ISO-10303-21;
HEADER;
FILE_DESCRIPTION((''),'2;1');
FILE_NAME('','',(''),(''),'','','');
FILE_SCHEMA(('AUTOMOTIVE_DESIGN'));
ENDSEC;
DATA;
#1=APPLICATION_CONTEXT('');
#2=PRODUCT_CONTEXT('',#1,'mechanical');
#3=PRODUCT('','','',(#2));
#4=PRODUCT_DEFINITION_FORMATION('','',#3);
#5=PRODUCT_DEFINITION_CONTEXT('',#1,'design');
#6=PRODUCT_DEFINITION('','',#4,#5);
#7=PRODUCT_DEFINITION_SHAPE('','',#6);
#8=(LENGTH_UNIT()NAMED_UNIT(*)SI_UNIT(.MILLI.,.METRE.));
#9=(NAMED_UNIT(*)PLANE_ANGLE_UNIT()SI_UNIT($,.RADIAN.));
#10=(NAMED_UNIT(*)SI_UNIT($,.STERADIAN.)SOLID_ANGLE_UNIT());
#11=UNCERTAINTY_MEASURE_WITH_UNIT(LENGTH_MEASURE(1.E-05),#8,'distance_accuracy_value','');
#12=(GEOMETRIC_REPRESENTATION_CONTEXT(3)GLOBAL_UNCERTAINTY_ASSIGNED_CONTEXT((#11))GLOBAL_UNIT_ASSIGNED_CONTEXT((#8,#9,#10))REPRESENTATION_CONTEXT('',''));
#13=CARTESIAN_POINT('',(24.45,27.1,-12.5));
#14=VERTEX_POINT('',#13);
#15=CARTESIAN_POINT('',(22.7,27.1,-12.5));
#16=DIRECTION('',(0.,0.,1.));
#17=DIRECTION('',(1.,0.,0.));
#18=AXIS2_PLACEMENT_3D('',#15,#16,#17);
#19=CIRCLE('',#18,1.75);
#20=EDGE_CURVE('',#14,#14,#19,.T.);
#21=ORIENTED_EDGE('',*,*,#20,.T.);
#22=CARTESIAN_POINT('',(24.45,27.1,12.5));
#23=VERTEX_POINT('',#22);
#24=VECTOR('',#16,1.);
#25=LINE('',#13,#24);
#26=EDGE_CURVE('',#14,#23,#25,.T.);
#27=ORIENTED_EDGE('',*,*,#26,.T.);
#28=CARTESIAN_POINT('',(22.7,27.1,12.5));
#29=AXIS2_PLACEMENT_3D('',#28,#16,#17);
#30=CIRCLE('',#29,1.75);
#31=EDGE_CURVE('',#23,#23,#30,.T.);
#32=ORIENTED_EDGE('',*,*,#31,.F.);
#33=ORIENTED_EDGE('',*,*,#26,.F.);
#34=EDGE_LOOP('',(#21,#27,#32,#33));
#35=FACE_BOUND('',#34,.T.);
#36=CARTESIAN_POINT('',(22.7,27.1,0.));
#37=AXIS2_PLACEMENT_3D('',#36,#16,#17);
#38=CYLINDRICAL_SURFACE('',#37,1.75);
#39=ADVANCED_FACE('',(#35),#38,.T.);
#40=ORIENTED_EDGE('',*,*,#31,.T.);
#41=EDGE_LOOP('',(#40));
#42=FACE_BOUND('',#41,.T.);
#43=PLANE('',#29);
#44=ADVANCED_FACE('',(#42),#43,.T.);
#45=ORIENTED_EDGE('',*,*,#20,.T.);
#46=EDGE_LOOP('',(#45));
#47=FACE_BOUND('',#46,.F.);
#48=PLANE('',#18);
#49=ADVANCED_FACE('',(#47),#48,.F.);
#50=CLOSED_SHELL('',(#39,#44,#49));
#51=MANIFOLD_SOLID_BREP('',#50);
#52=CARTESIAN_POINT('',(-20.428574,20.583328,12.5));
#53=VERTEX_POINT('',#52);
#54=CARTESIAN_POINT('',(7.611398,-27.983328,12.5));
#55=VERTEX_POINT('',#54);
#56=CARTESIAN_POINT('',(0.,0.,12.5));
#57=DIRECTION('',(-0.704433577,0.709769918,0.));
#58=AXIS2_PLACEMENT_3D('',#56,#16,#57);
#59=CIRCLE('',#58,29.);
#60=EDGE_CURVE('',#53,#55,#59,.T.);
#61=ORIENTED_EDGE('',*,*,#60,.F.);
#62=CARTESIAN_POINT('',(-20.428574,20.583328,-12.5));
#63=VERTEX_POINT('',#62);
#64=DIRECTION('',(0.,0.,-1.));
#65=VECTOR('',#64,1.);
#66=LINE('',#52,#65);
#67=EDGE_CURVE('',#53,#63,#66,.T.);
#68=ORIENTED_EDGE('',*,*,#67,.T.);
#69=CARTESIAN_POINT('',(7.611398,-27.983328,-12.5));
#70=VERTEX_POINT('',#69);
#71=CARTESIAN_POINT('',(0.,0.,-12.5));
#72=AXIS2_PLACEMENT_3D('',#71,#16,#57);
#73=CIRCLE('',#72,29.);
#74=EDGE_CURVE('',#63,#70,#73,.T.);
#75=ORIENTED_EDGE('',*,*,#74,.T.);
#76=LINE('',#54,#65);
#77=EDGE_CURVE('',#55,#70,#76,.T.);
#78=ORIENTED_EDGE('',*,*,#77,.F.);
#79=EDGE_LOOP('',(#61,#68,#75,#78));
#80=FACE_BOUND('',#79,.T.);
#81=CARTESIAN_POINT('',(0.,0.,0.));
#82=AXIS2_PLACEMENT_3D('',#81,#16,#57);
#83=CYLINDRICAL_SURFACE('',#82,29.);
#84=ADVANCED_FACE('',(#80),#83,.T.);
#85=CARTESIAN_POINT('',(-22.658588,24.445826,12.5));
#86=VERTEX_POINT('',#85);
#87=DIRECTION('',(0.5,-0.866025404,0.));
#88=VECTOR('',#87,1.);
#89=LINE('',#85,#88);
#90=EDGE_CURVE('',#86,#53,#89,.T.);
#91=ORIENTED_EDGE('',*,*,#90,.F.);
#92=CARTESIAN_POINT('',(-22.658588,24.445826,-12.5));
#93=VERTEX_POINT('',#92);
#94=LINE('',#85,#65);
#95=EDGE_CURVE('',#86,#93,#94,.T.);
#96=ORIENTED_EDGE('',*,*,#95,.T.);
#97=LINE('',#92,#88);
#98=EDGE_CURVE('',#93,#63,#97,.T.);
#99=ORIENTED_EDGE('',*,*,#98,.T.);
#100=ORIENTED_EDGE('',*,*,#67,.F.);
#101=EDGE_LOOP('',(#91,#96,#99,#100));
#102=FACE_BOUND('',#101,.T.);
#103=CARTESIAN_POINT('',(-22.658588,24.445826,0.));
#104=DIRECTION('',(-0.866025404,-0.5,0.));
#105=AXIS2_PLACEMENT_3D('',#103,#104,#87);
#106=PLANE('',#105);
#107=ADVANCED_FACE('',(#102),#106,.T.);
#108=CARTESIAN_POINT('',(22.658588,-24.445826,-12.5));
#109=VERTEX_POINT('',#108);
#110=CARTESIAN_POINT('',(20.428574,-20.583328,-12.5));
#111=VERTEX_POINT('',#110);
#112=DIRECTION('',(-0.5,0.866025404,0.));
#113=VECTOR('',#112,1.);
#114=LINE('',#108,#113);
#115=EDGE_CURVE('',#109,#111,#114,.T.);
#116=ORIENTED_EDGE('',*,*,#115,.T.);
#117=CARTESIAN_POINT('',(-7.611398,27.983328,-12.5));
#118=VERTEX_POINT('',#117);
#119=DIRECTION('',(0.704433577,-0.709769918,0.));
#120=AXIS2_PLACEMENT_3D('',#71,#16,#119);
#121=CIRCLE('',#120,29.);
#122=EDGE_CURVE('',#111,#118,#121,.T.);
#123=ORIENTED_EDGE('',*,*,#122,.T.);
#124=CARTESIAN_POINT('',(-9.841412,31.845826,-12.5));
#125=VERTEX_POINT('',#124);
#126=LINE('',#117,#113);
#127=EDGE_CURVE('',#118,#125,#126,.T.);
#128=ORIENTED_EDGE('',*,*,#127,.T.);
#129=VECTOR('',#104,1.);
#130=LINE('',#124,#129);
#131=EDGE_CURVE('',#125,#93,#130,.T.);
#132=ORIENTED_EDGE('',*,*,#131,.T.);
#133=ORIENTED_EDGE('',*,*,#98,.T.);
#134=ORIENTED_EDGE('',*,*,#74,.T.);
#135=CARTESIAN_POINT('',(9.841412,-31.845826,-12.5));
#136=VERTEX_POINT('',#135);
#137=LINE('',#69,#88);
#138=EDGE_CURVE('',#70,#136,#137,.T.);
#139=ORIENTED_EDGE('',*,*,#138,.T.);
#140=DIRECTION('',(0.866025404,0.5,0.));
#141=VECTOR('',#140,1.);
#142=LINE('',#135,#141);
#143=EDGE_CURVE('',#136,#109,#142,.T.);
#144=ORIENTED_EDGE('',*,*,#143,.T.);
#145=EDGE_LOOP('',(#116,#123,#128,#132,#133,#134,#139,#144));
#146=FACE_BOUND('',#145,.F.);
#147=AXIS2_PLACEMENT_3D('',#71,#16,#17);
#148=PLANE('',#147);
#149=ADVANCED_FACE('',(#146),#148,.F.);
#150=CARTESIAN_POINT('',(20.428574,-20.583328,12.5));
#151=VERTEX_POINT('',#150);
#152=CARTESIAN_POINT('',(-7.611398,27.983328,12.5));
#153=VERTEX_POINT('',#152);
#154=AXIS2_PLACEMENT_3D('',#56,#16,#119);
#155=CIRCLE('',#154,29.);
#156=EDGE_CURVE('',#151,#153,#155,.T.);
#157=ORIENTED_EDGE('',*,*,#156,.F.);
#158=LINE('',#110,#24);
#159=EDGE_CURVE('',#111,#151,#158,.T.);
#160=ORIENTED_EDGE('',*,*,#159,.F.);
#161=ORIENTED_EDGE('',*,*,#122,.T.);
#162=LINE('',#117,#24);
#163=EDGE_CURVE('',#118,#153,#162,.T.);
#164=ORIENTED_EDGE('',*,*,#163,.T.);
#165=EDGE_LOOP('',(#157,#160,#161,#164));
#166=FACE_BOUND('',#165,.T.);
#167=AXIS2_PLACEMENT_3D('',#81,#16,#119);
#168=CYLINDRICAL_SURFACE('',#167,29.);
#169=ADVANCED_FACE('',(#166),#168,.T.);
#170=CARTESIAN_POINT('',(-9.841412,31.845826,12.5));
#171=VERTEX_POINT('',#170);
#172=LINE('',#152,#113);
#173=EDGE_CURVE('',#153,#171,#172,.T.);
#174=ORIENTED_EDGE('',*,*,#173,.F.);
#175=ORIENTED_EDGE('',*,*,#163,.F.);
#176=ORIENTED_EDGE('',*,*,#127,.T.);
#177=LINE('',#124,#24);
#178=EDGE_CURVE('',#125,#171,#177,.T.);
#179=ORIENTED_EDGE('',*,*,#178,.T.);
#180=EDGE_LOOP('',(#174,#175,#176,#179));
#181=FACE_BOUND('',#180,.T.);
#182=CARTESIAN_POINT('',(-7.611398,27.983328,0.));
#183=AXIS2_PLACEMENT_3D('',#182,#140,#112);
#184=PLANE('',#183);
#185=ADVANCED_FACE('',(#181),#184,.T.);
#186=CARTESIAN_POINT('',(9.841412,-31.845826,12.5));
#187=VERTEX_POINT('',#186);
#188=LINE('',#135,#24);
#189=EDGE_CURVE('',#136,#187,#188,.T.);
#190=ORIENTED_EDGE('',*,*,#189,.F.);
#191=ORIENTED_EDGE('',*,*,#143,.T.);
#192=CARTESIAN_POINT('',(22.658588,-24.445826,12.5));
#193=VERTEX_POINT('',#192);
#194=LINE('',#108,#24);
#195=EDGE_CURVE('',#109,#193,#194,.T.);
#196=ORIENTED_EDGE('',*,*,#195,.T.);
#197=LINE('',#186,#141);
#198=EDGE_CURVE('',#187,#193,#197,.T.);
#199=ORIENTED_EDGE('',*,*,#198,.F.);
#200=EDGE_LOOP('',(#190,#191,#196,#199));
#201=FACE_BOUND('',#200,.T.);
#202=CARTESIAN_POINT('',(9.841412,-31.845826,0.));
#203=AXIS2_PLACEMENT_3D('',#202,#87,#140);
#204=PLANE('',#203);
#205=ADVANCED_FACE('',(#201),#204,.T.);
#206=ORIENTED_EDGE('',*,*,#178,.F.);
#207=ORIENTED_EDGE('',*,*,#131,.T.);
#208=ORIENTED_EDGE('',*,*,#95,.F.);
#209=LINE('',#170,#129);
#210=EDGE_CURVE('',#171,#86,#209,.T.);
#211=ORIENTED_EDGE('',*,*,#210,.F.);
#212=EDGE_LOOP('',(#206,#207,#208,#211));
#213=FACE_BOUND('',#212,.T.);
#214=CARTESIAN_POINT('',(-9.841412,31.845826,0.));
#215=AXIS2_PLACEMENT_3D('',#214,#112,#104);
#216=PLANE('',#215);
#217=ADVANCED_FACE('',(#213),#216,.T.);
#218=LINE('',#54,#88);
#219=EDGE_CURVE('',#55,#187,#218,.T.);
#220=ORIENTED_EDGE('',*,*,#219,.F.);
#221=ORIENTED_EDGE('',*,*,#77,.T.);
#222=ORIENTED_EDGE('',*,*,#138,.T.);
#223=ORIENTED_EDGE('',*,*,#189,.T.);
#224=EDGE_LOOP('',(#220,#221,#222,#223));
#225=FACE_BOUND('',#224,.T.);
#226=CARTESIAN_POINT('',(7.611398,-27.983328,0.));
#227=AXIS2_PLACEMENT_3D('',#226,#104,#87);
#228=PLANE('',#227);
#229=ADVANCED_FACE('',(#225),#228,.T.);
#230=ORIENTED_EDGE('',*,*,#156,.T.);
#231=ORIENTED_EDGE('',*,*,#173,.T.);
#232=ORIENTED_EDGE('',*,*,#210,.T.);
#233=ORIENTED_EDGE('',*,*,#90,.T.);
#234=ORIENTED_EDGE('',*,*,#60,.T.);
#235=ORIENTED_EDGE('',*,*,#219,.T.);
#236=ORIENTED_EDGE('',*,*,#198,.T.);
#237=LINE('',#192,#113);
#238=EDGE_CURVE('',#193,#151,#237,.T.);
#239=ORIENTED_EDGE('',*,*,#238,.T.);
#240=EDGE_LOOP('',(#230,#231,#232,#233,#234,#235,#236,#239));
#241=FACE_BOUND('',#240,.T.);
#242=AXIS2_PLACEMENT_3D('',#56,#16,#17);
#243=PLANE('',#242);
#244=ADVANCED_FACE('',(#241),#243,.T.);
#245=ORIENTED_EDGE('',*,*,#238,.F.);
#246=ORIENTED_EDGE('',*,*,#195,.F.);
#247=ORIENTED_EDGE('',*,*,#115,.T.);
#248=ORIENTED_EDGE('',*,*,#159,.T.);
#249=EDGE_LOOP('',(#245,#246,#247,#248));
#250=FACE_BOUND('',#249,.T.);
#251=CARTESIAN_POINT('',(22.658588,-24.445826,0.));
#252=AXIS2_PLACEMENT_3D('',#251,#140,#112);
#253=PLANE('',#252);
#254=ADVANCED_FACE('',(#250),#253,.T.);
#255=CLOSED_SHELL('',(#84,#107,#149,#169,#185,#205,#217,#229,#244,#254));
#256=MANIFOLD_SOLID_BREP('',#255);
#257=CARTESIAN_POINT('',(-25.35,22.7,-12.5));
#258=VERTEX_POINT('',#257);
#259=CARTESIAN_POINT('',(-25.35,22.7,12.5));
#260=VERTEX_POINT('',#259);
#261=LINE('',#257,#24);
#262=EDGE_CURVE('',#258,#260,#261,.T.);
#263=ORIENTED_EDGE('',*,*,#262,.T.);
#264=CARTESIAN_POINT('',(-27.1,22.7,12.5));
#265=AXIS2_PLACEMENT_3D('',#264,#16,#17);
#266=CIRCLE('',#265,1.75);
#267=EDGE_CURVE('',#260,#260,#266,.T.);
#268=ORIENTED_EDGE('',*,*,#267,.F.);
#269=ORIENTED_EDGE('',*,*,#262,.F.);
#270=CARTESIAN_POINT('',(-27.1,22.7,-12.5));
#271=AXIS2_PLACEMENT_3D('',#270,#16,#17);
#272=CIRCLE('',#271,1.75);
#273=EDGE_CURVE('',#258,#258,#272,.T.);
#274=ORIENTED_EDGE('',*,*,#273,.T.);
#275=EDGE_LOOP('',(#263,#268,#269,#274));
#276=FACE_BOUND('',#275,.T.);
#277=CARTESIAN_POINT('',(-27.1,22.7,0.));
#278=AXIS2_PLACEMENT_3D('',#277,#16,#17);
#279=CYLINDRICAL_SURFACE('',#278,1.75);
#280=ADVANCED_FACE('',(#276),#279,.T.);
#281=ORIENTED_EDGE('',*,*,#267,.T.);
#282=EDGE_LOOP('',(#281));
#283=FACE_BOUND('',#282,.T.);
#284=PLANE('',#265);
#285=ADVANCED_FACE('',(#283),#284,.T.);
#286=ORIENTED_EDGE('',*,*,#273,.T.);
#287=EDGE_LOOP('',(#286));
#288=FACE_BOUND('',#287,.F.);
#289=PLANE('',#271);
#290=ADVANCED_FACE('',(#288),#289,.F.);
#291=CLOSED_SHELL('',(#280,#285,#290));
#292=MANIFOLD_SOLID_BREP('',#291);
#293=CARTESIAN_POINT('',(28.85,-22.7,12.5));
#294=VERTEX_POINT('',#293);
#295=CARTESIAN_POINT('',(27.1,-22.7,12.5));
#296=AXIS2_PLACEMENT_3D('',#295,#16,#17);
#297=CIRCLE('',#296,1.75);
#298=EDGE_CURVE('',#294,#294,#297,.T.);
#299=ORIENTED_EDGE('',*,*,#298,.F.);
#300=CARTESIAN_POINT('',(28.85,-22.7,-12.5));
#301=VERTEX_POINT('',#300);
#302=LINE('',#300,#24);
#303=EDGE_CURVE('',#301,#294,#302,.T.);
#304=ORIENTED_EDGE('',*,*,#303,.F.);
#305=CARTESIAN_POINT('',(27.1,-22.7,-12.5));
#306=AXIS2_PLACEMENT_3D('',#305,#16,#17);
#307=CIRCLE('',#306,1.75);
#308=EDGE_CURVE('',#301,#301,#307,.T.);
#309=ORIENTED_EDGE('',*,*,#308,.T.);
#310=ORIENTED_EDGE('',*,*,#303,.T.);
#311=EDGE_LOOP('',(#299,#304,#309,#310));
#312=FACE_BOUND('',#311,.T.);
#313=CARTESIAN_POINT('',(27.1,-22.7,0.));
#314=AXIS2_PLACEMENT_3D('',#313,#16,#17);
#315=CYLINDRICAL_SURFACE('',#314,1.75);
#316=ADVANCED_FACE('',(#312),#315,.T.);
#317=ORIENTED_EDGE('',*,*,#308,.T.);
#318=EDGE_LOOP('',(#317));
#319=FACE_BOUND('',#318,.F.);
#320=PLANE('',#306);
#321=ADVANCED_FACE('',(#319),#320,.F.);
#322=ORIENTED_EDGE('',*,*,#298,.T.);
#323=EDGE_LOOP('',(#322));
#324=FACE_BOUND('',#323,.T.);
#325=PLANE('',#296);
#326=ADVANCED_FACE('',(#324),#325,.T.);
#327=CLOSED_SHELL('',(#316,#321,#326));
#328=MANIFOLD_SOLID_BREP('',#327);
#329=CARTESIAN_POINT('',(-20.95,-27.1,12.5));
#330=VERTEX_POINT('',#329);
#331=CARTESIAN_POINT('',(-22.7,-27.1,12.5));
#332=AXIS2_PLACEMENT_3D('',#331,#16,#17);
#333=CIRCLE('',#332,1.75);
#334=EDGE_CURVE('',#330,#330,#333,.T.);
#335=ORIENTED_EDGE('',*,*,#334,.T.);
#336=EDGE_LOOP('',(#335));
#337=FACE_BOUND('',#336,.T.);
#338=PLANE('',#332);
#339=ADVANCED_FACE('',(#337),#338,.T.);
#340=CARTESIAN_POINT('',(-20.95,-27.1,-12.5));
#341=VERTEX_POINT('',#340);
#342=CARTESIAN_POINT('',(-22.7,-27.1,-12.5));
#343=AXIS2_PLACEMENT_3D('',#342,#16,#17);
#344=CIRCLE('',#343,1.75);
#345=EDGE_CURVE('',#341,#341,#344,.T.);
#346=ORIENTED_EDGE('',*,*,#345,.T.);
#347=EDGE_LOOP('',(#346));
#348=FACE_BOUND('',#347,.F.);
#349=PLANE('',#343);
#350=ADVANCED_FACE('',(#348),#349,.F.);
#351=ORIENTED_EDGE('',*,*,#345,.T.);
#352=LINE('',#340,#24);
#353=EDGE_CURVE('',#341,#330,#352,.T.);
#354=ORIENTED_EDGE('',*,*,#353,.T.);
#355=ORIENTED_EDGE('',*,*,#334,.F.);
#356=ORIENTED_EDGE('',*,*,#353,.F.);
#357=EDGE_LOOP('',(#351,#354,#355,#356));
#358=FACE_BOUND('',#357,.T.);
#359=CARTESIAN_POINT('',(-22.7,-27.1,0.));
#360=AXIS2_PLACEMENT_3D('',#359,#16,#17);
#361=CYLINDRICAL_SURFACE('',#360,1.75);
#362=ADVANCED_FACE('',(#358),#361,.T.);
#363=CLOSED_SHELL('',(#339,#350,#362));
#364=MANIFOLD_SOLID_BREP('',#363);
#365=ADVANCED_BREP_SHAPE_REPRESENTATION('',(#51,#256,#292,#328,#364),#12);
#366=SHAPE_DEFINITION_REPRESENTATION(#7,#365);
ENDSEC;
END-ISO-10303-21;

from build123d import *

# Parameters (mm, degrees)
F1_DEPTH = 12.5
F0_R     = 1.75


with BuildPart() as f1:
    # F0 (on Top) → F1 (new body, symmetric)
    with BuildSketch(Plane.XY):
        with BuildLine():
            Line((20.4285737227, -20.5833276138), (-7.6113977467, 27.9833276138))
            ThreePointArc((-7.6113977467, 27.9833276138), (-14.5, 25.1147367097), (-20.4285737227, 20.5833276138))
            Line((-20.4285737227, 20.5833276138), (7.6113977467, -27.9833276138))
            ThreePointArc((7.6113977467, -27.9833276138), (14.5, -25.1147367097), (20.4285737227, -20.5833276138))
        make_face()
        with BuildLine():
            ThreePointArc((20.4285737227, -20.5833276138), (26.7715206699, -11.1483488025), (29, 0))
            ThreePointArc((29, 0), (17.6106425968, 23.0405136081), (-7.6113977467, 27.9833276138))
            Line((-7.6113977467, 27.9833276138), (20.4285737227, -20.5833276138))
        make_face()
        with BuildLine():
            Line((22.658587988, -24.445825623), (20.4285737227, -20.5833276138))
            ThreePointArc((20.4285737227, -20.5833276138), (14.5, -25.1147367097), (7.6113977467, -27.9833276138))
            Line((7.6113977467, -27.9833276138), (9.841412012, -31.845825623))
            Line((9.841412012, -31.845825623), (22.658587988, -24.445825623))
        make_face()
        with BuildLine():
            ThreePointArc((-20.4285737227, 20.5833276138), (-14.5, 25.1147367097), (-7.6113977467, 27.9833276138))
            Line((-7.6113977467, 27.9833276138), (-9.841412012, 31.845825623))
            Line((-9.841412012, 31.845825623), (-22.658587988, 24.445825623))
            Line((-22.658587988, 24.445825623), (-20.4285737227, 20.5833276138))
        make_face()
        with BuildLine():
            Line((7.6113977467, -27.9833276138), (-20.4285737227, 20.5833276138))
            ThreePointArc((-20.4285737227, 20.5833276138), (-25.1147367097, -14.5), (7.6113977467, -27.9833276138))
        make_face()
    extrude(amount=F1_DEPTH, both=True)


with BuildPart() as f1b:
    # F0 (on Top) → F1, piece 2 (new body, symmetric)
    with BuildSketch(Plane.XY):
        with Locations((27.1, -22.7)):
            Circle(F0_R)
    extrude(amount=F1_DEPTH, both=True)


with BuildPart() as f1c:
    # F0 (on Top) → F1, piece 3 (new body, symmetric)
    with BuildSketch(Plane.XY):
        with Locations((22.7, 27.1)):
            Circle(F0_R)
    extrude(amount=F1_DEPTH, both=True)


with BuildPart() as f1d:
    # F0 (on Top) → F1, piece 4 (new body, symmetric)
    with BuildSketch(Plane.XY):
        with Locations((-27.1, 22.7)):
            Circle(F0_R)
    extrude(amount=F1_DEPTH, both=True)


with BuildPart() as f1e:
    # F0 (on Top) → F1, piece 5 (new body, symmetric)
    with BuildSketch(Plane.XY):
        with Locations((-22.7, -27.1)):
            Circle(F0_R)
    extrude(amount=F1_DEPTH, both=True)


solid = Compound([f1.part, f1b.part, f1c.part, f1d.part, f1e.part])
